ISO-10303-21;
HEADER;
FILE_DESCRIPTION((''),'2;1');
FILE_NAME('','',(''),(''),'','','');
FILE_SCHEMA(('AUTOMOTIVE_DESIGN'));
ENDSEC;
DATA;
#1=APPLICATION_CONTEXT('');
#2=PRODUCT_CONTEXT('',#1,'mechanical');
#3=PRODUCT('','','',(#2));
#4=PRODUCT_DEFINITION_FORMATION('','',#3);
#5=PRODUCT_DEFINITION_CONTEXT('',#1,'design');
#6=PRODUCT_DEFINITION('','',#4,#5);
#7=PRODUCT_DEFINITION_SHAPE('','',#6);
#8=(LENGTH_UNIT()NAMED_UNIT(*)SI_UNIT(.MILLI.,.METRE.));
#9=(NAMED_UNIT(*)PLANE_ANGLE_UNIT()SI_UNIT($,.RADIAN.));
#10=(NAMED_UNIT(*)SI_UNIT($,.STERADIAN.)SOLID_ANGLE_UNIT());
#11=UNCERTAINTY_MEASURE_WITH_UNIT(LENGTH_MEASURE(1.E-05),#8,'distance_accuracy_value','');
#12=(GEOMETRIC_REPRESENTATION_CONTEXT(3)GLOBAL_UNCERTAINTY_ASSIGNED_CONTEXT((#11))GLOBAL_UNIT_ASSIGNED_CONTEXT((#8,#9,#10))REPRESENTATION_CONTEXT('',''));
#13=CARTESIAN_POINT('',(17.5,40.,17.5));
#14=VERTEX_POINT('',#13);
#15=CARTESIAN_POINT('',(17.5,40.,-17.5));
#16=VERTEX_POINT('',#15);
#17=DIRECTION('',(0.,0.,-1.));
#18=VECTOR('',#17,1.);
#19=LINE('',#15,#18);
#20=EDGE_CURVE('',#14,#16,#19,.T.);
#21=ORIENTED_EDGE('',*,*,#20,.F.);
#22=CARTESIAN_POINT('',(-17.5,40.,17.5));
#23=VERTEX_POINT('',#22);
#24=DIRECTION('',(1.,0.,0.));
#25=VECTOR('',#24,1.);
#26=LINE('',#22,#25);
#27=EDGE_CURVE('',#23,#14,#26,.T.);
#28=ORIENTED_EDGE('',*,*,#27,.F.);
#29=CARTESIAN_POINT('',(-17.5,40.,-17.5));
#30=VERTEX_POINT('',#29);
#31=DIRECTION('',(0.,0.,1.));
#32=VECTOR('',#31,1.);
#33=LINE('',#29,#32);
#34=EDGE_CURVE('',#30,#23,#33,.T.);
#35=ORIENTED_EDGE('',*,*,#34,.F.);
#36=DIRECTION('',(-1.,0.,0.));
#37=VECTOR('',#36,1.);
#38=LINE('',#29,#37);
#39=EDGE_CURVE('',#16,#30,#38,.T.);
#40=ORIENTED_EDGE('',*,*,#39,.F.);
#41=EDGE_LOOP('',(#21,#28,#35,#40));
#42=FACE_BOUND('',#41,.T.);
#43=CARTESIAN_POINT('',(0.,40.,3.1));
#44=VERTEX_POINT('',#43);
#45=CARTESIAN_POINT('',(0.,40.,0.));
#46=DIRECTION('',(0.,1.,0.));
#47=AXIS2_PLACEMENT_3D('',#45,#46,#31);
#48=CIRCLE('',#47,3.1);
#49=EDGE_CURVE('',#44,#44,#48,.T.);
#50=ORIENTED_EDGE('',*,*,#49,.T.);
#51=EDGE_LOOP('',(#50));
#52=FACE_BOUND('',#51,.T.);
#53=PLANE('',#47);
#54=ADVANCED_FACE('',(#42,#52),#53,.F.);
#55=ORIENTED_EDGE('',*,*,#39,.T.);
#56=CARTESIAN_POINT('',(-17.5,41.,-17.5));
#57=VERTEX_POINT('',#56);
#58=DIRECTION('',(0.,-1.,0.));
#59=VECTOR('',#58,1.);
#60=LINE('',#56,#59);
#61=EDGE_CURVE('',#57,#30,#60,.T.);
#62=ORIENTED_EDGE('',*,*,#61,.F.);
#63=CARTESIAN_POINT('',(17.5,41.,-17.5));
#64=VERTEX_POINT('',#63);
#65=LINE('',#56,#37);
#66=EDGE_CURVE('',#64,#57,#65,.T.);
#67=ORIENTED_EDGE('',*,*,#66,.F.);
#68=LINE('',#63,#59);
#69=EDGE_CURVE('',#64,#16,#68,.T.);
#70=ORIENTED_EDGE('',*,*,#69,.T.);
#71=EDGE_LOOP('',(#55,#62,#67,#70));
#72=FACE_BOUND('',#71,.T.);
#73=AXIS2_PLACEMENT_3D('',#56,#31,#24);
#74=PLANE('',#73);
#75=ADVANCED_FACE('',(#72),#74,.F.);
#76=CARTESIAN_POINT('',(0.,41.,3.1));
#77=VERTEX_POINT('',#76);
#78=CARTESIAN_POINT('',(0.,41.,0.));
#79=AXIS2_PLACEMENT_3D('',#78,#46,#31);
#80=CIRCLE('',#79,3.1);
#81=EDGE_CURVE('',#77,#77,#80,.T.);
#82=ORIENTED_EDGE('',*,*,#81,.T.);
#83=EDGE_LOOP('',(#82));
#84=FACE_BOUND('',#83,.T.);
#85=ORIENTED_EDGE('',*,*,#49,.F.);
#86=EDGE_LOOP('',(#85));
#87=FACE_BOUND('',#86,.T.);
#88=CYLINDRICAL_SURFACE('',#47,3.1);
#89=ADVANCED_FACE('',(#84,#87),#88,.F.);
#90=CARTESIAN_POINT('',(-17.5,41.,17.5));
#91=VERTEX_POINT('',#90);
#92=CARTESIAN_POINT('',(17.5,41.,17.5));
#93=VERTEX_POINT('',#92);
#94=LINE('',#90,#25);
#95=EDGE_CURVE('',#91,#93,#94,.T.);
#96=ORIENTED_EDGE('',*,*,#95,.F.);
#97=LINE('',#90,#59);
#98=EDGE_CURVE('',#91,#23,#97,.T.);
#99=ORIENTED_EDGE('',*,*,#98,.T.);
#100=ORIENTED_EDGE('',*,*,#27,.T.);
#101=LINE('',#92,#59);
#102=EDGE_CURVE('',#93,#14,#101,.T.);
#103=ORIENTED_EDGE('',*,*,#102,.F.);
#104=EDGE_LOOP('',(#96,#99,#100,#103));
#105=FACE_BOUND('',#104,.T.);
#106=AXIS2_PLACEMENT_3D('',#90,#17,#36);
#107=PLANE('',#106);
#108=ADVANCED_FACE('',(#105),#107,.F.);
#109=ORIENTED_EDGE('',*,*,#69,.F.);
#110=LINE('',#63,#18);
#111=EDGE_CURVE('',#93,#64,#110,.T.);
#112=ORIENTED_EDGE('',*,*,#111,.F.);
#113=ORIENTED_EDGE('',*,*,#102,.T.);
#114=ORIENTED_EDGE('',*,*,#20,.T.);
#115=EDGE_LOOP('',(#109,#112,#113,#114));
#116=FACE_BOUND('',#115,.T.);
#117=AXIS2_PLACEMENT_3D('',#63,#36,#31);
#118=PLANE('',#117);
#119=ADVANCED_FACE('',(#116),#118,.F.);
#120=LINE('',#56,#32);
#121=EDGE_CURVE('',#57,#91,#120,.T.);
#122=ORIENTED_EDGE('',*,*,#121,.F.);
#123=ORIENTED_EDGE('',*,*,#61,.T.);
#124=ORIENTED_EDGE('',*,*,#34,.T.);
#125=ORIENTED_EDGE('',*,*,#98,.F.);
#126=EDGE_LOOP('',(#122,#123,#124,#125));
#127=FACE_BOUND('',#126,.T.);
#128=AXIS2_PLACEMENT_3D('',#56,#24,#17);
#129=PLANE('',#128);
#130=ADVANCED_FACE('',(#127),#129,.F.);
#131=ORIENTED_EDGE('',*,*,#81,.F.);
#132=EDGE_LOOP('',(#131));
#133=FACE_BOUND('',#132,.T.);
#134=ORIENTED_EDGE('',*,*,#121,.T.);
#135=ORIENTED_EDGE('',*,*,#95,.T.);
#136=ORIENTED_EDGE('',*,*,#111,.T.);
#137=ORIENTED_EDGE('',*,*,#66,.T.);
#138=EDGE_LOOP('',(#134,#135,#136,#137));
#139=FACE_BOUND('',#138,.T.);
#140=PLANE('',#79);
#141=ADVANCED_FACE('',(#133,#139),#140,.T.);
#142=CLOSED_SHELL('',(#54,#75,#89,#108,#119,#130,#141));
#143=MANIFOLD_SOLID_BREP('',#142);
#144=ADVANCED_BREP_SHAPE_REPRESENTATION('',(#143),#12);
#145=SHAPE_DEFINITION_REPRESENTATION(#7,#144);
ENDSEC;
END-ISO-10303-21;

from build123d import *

# Parameters (mm, degrees)
SKETCH2_W                = 35
SKETCH2_H                = 35
BOSS_EXTRUDE1_DEPTH      = 10
SKETCH3_W                = 35
SKETCH3_H                = 35
SKETCH3_W_2              = 25
SKETCH3_H_2              = 25
BOSS_EXTRUDE2_DEPTH      = 15
SKETCH4_W                = 35
SKETCH4_H                = 35
BOSS_EXTRUDE3_DEPTH      = 15
CUT_EXTRUDE1_START       = -40
SKETCH5_R                = 3.05
CUT_EXTRUDE1_DEPTH       = 40
BOSS_EXTRUDE4_DEPTH      = 10
BOSS_EXTRUDE4_DEPTH_BACK = 40
SKETCH6_W                = 7.5
SKETCH6_H                = 1.017843133
SKETCH6_H_2              = 1.2761833
SKETCH7_R                = 2.76
CUT_EXTRUDE2_DEPTH       = 10
SKETCH8_W                = 35
SKETCH8_H                = 35
BOSS_EXTRUDE5_DEPTH      = 1
SKETCH9_R                = 3.1
CUT_EXTRUDE3_DEPTH       = 1


with BuildPart() as part:
    # Sketch2 → Boss-Extrude1 (new body)
    with BuildSketch(Plane(origin=(0, 0, 0), x_dir=(1, 0, 0), z_dir=(0, 1, 0))):
        Rectangle(SKETCH2_W, SKETCH2_H)
    extrude(amount=BOSS_EXTRUDE1_DEPTH)


with BuildPart() as body_2:
    # Sketch3 → Boss-Extrude2 (new body)
    with BuildSketch(Plane(origin=(0, 10, 0), x_dir=(1, 0, 0), z_dir=(0, 1, 0))):
        Rectangle(SKETCH3_W, SKETCH3_H)
        Rectangle(SKETCH3_W_2, SKETCH3_H_2, mode=Mode.SUBTRACT)
    extrude(amount=BOSS_EXTRUDE2_DEPTH)


with BuildPart() as body_3:
    # Sketch4 → Boss-Extrude3 (new body)
    with BuildSketch(Plane(origin=(0, 25, 0), x_dir=(1, 0, 0), z_dir=(0, 1, 0))):
        Rectangle(SKETCH4_W, SKETCH4_H)
    extrude(amount=BOSS_EXTRUDE3_DEPTH)


with BuildPart() as cut_extrude1_tool:
    # Sketch5 → Cut-Extrude1 (new body)
    with BuildSketch(Plane(origin=(0, 40, 0), x_dir=(1, 0, 0), z_dir=(0, 1, 0)).offset(CUT_EXTRUDE1_START)):
        with Locations(Location((0, 0, 0), (0, 0, 270))):
            Circle(SKETCH5_R)
    extrude(amount=CUT_EXTRUDE1_DEPTH)


with BuildPart() as part_1:
    add(part.part)

    # Cut-Extrude1: cut by cut_extrude1_tool
    add(cut_extrude1_tool.part, mode=Mode.SUBTRACT)


with BuildPart() as body_3_1:
    add(body_3.part)

    # Cut-Extrude1: cut by cut_extrude1_tool
    add(cut_extrude1_tool.part, mode=Mode.SUBTRACT)

    # Sketch6 → Boss-Extrude4 (add, two sides: drawn at the far end of the back side and taken through both)
    with BuildSketch(Plane(origin=(0, 0, -17.5), x_dir=(-1, 0, 0), z_dir=(0, 0, -1)).offset(-BOSS_EXTRUDE4_DEPTH_BACK)):
        with Locations((-13.75, 25.508921566)):
            Rectangle(SKETCH6_W, SKETCH6_H)
        with Locations((13.75, 25.63809165)):
            Rectangle(SKETCH6_W, SKETCH6_H_2)
    extrude(amount=BOSS_EXTRUDE4_DEPTH + BOSS_EXTRUDE4_DEPTH_BACK)

    # Sketch7 → Cut-Extrude2 (cut)
    with BuildSketch(Plane(origin=(0, 26.2761833, 0), x_dir=(1, 0, 0), z_dir=(0, 1, 0))):
        with Locations(Location((-13.75, 22.5, 0), (0, 0, 270))):
            Circle(SKETCH7_R)
        with Locations((8.75, 22.5)):
            Circle(SKETCH7_R)
        with Locations((8.75, -18)):
            Circle(SKETCH7_R)
        with Locations(Location((-13.75, -18, 0), (0, 0, 270))):
            Circle(SKETCH7_R)
    extrude(amount=-CUT_EXTRUDE2_DEPTH, mode=Mode.SUBTRACT)


with BuildPart() as body_2_2:
    # Sketch8 → Boss-Extrude5 (new body)
    with BuildSketch(Plane(origin=(0, 40, 0), x_dir=(1, 0, 0), z_dir=(0, 1, 0))):
        Rectangle(SKETCH8_W, SKETCH8_H)
    extrude(amount=BOSS_EXTRUDE5_DEPTH)

    # Sketch9 → Cut-Extrude3 (cut)
    with BuildSketch(Plane(origin=(0, 41, 0), x_dir=(1, 0, 0), z_dir=(0, 1, 0))):
        with Locations(Location((0, 0, 0), (0, 0, 270))):
            Circle(SKETCH9_R)
    extrude(amount=-CUT_EXTRUDE3_DEPTH, mode=Mode.SUBTRACT)


solid = body_2_2.part
